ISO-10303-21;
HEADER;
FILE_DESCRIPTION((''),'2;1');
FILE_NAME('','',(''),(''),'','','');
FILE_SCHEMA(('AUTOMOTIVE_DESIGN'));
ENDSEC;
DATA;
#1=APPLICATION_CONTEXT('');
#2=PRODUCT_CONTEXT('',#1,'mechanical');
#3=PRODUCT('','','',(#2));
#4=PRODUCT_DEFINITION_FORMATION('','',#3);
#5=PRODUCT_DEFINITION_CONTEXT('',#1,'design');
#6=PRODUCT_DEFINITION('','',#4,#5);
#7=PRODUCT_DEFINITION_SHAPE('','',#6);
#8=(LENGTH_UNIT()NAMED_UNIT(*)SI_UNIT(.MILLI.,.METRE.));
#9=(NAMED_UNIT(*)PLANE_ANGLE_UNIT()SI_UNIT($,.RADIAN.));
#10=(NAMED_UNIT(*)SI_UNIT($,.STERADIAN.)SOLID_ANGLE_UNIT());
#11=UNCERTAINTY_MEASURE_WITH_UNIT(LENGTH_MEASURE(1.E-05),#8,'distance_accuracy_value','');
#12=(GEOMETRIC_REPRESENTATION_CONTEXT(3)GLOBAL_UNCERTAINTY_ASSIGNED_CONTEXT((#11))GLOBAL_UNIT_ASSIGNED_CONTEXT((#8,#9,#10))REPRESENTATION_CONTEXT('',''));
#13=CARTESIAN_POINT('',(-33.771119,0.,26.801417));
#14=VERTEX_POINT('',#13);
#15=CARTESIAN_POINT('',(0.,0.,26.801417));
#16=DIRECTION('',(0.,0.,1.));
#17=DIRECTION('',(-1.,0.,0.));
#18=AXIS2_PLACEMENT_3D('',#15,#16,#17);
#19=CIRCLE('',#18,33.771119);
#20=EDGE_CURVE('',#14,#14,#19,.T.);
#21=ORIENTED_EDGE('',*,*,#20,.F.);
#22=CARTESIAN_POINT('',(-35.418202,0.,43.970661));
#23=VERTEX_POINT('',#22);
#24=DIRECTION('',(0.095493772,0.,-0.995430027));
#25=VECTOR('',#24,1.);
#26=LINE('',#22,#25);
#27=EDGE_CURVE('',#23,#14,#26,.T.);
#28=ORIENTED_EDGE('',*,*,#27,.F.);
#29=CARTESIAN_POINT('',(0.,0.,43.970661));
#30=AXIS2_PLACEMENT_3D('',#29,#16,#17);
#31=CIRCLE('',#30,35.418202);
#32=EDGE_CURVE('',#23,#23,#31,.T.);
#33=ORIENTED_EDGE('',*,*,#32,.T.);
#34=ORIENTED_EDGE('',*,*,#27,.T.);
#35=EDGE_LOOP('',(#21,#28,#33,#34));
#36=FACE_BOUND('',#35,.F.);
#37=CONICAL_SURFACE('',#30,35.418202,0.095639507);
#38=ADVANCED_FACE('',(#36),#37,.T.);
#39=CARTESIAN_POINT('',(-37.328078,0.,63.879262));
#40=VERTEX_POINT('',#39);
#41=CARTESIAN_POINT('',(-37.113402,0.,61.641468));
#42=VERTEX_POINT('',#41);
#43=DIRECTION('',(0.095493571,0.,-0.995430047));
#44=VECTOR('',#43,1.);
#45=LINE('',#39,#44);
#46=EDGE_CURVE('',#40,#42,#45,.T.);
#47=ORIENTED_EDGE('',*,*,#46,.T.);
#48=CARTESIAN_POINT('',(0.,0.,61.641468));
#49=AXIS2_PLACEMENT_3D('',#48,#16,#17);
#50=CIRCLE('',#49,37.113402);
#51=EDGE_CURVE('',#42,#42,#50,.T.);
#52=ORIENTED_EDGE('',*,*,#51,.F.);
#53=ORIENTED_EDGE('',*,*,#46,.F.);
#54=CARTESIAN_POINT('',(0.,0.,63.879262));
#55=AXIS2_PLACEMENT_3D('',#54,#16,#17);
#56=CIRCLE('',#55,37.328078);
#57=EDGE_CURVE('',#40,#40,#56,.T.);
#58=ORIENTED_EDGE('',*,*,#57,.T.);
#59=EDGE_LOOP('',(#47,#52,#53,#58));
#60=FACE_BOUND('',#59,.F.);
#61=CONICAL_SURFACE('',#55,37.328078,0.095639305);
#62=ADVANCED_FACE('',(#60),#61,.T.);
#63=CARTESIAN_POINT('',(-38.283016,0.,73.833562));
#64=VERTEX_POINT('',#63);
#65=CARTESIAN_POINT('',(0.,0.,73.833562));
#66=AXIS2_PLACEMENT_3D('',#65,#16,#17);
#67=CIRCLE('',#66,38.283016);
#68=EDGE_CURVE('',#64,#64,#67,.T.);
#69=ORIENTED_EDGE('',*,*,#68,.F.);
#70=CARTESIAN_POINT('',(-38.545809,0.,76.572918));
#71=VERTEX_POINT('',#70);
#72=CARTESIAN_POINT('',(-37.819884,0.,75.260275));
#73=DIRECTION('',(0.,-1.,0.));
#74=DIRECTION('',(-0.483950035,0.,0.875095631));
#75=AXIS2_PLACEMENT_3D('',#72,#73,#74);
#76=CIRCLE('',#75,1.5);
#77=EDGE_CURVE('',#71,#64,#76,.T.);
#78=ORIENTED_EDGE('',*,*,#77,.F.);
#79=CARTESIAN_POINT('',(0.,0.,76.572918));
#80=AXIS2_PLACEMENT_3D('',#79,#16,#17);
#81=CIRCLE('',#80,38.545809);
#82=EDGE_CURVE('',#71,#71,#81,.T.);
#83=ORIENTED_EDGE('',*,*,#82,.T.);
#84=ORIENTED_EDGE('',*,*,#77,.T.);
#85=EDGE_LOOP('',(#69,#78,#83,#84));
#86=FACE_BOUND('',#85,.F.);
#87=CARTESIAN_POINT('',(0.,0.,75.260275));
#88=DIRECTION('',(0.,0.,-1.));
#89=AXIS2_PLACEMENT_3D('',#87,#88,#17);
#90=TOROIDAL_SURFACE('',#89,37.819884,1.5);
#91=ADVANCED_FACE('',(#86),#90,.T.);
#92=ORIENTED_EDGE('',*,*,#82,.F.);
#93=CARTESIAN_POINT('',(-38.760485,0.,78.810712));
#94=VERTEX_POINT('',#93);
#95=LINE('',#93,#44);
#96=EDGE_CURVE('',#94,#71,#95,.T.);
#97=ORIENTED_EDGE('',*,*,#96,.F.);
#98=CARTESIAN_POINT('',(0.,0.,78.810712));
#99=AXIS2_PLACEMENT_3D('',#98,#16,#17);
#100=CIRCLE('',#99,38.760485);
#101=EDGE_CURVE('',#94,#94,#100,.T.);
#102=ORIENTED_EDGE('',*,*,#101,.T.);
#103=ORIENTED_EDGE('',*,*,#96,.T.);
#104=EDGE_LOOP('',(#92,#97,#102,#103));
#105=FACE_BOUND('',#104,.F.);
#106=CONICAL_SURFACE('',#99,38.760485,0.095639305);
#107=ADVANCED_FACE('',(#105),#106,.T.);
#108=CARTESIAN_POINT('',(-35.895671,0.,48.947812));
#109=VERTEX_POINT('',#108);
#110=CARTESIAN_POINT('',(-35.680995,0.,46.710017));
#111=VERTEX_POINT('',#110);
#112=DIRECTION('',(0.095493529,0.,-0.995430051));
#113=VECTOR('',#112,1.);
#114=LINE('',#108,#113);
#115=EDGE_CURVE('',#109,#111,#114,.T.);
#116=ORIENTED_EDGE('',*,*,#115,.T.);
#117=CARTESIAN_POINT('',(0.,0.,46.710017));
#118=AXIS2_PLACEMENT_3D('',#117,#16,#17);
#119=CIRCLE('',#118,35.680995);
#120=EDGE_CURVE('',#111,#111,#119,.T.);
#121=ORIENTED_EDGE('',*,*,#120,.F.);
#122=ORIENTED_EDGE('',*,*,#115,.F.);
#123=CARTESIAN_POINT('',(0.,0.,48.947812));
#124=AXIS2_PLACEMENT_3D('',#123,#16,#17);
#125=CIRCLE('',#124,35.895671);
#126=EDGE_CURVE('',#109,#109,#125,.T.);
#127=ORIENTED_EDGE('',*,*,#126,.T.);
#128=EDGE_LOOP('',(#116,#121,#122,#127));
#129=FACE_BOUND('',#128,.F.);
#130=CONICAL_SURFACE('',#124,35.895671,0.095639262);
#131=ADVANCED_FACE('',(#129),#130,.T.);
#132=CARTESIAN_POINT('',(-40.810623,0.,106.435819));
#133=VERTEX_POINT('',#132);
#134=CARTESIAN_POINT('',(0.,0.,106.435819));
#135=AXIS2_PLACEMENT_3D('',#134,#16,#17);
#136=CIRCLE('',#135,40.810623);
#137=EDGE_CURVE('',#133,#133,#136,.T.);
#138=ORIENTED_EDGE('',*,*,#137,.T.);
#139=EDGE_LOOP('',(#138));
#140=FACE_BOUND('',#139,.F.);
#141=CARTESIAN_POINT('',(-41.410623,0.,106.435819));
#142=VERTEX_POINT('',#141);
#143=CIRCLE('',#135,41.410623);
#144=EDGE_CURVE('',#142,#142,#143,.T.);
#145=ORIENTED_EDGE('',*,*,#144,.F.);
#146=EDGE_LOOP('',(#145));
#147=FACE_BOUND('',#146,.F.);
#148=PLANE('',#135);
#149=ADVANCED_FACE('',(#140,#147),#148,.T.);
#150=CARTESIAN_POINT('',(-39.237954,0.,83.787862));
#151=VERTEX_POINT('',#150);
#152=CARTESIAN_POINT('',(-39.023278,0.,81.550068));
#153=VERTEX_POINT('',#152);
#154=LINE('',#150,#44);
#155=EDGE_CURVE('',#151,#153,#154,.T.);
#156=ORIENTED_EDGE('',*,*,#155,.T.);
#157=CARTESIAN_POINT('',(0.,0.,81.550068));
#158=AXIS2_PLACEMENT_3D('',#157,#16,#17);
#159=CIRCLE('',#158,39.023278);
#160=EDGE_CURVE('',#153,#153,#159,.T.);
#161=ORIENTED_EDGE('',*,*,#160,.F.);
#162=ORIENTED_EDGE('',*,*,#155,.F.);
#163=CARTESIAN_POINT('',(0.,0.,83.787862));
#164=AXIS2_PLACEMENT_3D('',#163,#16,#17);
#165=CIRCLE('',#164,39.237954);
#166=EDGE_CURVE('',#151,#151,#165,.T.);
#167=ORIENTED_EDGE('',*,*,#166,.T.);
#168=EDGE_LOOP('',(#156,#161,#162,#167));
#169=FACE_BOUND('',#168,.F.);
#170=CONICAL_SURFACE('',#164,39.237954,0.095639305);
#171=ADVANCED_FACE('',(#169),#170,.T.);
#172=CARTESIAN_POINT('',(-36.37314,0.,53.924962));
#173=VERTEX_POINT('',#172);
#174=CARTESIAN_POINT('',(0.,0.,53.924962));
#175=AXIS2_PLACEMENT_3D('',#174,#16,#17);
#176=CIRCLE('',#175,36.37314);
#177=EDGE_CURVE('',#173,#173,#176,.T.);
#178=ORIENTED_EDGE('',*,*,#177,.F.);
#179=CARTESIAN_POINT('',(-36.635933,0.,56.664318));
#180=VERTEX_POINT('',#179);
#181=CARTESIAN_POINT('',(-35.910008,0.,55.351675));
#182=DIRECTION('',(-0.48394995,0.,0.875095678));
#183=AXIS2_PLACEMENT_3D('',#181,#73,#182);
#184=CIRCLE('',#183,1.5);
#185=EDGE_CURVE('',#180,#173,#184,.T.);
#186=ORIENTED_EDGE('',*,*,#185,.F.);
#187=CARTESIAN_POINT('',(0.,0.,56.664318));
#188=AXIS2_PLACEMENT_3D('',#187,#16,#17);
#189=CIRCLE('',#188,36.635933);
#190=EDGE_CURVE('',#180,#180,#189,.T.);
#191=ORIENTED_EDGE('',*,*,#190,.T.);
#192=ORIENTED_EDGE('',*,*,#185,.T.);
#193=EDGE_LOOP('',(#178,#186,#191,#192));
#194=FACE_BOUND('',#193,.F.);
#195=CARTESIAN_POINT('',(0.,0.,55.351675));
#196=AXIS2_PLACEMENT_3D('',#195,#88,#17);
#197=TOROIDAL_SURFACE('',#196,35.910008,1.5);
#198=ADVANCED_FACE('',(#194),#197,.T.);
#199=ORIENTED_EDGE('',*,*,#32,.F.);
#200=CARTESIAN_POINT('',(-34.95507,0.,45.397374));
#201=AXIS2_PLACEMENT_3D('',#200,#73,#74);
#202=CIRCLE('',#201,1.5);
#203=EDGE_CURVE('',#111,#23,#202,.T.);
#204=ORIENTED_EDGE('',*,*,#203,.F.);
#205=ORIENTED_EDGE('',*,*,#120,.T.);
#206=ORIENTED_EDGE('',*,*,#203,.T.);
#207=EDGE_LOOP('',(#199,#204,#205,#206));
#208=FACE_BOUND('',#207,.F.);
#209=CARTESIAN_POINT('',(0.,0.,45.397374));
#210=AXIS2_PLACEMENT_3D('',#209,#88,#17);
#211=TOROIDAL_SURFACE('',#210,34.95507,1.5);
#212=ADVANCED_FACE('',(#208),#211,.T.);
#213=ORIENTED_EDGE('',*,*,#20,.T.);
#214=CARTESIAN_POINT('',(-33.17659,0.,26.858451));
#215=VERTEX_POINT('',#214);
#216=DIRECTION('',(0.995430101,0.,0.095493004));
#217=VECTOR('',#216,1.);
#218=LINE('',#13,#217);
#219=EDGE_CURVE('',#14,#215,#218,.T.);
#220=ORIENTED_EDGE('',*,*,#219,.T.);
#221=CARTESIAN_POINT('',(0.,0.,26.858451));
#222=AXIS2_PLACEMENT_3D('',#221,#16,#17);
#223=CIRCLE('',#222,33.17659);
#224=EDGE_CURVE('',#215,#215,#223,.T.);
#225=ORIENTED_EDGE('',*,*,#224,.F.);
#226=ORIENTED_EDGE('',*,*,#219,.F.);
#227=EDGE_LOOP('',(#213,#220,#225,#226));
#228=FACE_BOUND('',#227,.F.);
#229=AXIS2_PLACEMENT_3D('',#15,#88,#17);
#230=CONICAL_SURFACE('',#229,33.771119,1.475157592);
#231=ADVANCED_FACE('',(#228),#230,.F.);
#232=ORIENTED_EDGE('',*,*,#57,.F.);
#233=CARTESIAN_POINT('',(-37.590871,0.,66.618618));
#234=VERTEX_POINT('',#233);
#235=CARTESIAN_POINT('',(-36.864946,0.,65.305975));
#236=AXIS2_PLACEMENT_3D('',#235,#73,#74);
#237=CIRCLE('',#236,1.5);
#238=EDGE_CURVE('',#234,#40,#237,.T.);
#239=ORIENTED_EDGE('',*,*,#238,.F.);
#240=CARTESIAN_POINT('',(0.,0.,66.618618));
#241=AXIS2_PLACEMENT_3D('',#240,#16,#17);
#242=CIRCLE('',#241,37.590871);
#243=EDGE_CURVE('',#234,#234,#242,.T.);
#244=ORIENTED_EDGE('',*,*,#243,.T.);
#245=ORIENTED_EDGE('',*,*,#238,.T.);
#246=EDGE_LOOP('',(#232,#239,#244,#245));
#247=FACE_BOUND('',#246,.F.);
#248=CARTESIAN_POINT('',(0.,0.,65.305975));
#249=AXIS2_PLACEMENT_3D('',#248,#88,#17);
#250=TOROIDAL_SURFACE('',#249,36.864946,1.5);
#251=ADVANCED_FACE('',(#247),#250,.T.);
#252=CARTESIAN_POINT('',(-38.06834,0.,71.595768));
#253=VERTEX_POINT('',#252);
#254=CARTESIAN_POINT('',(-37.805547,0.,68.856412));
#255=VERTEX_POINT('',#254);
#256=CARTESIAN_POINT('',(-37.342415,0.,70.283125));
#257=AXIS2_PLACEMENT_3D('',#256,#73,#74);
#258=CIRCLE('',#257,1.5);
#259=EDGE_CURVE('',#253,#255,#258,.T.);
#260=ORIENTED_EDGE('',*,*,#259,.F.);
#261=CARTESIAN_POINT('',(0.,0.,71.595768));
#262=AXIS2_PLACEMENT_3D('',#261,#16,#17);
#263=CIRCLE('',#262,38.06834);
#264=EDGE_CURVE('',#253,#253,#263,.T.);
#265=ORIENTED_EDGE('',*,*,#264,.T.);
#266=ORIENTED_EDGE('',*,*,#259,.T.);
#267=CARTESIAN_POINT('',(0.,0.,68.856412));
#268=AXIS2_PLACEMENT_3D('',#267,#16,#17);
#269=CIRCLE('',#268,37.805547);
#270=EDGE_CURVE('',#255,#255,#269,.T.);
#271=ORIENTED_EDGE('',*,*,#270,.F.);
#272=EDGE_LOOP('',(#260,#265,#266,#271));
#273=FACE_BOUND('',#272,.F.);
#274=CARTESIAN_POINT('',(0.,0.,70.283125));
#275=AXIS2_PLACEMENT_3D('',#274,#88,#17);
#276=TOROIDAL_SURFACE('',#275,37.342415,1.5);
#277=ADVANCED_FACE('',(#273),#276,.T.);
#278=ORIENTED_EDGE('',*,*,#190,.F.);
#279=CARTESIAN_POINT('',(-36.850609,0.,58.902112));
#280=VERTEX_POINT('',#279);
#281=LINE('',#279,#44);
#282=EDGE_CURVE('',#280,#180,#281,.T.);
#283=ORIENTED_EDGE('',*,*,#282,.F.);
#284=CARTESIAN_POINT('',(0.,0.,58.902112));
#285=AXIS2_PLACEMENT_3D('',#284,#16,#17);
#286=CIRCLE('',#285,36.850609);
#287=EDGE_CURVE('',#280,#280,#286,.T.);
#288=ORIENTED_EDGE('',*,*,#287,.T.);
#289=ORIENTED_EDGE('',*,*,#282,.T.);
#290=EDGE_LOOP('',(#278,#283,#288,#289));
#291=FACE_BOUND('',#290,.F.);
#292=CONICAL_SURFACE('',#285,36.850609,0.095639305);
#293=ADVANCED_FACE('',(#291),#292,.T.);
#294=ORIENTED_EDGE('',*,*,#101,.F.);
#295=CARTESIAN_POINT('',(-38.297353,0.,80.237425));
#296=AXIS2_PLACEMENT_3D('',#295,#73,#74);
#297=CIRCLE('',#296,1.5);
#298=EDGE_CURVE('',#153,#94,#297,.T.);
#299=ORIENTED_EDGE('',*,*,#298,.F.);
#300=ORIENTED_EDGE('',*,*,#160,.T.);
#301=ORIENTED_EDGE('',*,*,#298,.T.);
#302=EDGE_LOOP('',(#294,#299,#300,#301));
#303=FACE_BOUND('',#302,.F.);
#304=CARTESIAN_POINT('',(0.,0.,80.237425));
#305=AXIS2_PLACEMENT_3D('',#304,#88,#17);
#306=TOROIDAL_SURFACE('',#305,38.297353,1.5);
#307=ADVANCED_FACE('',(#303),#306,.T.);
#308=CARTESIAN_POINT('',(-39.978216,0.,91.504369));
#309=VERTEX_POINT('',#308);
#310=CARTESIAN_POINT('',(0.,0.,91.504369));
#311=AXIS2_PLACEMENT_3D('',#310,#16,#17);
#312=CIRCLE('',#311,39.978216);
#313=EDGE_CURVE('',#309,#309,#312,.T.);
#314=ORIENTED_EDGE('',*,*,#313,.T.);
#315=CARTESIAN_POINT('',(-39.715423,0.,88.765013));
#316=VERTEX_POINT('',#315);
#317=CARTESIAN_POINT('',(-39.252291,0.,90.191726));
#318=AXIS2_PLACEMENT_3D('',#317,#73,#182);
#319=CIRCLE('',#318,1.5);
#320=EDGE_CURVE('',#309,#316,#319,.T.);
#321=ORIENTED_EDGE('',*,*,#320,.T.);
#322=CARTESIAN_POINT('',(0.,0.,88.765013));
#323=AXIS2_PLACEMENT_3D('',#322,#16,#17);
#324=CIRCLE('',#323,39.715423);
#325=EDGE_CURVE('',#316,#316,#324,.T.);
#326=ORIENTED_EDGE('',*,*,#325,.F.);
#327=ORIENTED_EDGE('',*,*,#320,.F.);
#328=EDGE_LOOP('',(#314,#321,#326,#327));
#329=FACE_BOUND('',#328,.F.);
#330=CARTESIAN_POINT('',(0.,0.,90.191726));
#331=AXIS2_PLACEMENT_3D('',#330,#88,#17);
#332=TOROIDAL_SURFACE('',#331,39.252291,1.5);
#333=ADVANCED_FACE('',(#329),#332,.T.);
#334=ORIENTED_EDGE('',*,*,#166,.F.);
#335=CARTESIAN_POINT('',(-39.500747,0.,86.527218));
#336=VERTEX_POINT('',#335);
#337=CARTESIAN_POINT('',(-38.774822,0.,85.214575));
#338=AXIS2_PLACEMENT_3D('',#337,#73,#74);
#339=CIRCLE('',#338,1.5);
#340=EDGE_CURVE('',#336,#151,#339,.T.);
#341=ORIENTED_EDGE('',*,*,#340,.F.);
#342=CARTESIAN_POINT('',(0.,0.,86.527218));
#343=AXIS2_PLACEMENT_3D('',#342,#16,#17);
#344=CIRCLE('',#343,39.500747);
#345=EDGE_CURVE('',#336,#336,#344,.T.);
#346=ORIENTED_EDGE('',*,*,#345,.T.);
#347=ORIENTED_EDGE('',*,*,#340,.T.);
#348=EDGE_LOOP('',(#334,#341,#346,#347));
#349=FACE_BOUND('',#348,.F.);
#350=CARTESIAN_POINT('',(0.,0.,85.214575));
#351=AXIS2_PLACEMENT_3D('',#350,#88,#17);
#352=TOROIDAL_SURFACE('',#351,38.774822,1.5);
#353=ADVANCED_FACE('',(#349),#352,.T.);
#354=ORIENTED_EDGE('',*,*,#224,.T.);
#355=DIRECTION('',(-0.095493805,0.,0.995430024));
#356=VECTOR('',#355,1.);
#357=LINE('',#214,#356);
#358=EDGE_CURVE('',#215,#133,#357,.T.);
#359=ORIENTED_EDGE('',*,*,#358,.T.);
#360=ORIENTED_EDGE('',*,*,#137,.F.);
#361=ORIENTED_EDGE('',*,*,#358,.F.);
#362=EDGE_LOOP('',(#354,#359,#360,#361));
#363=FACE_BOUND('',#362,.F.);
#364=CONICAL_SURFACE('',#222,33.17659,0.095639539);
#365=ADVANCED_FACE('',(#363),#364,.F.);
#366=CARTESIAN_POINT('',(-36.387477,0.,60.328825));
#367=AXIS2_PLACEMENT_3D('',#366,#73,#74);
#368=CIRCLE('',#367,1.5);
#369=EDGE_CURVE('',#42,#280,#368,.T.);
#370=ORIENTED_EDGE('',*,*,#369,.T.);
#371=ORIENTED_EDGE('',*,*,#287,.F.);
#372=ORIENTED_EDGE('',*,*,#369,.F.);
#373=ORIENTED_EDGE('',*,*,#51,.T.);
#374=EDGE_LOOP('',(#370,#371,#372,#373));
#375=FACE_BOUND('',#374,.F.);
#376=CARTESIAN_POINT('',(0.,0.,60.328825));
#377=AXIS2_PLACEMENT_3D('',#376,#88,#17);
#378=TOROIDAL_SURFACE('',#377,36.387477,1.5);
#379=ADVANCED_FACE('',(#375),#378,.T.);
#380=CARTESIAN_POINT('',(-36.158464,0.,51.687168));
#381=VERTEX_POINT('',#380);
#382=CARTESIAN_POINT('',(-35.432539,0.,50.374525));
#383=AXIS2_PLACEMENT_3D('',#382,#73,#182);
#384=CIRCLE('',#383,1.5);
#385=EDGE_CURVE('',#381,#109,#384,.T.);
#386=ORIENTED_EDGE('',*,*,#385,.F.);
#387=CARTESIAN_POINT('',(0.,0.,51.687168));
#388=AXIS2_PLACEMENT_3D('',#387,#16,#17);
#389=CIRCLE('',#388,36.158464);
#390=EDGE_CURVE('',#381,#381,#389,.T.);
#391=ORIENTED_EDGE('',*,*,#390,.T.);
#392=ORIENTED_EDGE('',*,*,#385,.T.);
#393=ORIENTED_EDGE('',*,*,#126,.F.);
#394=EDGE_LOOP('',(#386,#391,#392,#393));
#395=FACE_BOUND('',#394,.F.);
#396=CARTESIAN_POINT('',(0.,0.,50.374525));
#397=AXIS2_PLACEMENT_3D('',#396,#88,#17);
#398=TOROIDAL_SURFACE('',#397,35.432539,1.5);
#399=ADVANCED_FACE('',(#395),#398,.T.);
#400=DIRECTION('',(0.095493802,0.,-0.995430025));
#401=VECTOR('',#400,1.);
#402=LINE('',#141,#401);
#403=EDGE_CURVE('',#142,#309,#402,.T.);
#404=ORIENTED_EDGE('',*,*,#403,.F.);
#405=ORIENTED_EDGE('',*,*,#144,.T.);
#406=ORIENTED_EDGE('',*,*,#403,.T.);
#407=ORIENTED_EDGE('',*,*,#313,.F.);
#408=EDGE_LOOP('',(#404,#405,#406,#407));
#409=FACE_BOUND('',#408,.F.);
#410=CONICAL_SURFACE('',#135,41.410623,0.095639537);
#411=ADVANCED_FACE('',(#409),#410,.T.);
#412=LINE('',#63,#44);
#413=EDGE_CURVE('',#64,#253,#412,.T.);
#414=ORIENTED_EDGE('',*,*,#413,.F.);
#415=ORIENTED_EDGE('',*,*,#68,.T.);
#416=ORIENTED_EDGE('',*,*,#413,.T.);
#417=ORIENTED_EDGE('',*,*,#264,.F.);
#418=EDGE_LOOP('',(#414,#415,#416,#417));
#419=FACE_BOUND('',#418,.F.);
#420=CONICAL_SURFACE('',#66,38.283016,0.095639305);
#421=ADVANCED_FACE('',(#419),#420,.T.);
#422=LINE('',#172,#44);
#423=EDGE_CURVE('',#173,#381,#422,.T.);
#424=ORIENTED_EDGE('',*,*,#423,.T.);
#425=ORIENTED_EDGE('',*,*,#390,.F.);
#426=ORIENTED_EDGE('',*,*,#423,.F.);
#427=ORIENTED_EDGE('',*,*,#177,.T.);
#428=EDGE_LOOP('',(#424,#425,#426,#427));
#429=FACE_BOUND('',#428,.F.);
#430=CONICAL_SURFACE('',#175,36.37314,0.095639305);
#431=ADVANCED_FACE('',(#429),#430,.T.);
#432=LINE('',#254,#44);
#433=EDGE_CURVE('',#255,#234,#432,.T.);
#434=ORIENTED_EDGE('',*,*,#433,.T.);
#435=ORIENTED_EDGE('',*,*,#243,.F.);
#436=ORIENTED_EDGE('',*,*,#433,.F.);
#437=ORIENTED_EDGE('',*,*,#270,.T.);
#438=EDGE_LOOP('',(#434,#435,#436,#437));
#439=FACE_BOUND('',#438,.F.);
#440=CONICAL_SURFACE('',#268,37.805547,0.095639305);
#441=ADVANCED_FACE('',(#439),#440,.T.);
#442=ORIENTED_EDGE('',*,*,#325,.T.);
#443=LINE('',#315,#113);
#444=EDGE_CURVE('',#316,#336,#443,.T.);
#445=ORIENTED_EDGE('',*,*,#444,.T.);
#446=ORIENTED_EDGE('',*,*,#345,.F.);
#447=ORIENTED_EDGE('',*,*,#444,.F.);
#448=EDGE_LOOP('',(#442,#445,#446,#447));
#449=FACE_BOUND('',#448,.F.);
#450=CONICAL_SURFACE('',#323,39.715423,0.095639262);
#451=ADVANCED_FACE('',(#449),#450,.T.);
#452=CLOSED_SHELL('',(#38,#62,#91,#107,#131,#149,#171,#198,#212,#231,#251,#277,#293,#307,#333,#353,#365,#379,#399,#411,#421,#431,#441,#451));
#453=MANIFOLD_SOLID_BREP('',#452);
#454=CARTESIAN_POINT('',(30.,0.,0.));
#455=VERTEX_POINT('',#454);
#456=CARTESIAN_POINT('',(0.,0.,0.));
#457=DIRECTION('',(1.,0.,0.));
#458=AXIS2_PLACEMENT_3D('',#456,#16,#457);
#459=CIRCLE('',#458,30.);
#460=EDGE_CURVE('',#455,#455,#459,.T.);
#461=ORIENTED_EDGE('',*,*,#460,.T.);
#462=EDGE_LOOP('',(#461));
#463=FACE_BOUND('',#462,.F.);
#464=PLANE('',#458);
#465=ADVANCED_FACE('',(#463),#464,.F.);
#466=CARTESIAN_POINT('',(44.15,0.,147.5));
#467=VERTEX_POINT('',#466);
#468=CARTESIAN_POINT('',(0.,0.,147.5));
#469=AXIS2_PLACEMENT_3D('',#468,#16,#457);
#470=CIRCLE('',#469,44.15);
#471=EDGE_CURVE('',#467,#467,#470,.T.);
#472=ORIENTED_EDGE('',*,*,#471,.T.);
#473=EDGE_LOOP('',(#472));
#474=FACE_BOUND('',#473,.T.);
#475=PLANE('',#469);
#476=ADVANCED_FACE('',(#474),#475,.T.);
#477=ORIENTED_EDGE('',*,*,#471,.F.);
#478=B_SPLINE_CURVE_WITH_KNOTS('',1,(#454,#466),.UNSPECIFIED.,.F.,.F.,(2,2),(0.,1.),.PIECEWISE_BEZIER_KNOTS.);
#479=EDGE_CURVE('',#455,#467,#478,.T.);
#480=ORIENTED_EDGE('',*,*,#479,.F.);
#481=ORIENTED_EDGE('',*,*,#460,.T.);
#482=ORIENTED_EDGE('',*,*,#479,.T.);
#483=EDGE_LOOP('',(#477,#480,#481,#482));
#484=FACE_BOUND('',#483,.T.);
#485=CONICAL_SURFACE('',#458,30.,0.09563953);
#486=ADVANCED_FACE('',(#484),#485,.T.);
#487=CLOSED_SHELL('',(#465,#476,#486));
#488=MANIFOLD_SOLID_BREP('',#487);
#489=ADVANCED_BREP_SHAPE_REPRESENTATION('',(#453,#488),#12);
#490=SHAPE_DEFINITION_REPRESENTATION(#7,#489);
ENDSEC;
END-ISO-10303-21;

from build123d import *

# Parameters (mm, degrees)
F0_R = 30
F2_R = 44.15


with BuildPart() as f3:
    # F0 (on Top) → F3 section 0
    with BuildSketch(Plane.XY):
        Circle(F0_R)
    # F2 (on offset) → F3 section 1
    with BuildSketch(Plane.XY.offset(147.5)):
        Circle(F2_R)
    loft()


with BuildPart() as f5:
    # F4 (on Front) → F5 (revolve)
    with BuildSketch(Plane.XZ):
        Polygon((-33.17659, 26.858451), (-40.810623, 106.435819), (-41.410623, 106.435819), (-39.978216, 91.504369), (-39.715423, 88.765013), (-39.500747, 86.527218), (-39.237954, 83.787862), (-39.023278, 81.550068), (-38.760485, 78.810712), (-38.545809, 76.572918), (-38.283016, 73.833562), (-38.06834, 71.595768), (-37.805547, 68.856412), (-37.590871, 66.618618), (-37.328078, 63.879262), (-37.113402, 61.641468), (-36.850609, 58.902112), (-36.635933, 56.664318), (-36.37314, 53.924962), (-36.158464, 51.687168), (-35.895671, 48.947812), (-35.680995, 46.710017), (-35.418202, 43.970661), (-33.771119, 26.801417), align=None)
        with BuildLine():
            Line((-39.715423, 88.765013), (-39.978216, 91.504369))
            ThreePointArc((-39.978216, 91.504369), (-40.745436, 90.048484), (-39.715423, 88.765013))
        make_face()
        with BuildLine():
            Line((-39.237954, 83.787862), (-39.500747, 86.527218))
            ThreePointArc((-39.500747, 86.527218), (-40.267967, 85.071334), (-39.237954, 83.787862))
        make_face()
        with BuildLine():
            Line((-38.760485, 78.810712), (-39.023278, 81.550068))
            ThreePointArc((-39.023278, 81.550068), (-39.790498, 80.094184), (-38.760485, 78.810712))
        make_face()
        with BuildLine():
            Line((-38.283016, 73.833562), (-38.545809, 76.572918))
            ThreePointArc((-38.545809, 76.572918), (-39.313029, 75.117034), (-38.283016, 73.833562))
        make_face()
        with BuildLine():
            Line((-37.805547, 68.856412), (-38.06834, 71.595768))
            ThreePointArc((-38.06834, 71.595768), (-38.83556, 70.139884), (-37.805547, 68.856412))
        make_face()
        with BuildLine():
            ThreePointArc((-37.590871, 66.618618), (-38.358091, 65.162734), (-37.328078, 63.879262))
            Line((-37.328078, 63.879262), (-37.590871, 66.618618))
        make_face()
        with BuildLine():
            ThreePointArc((-37.113402, 61.641468), (-37.880622, 60.185584), (-36.850609, 58.902112))
            Line((-36.850609, 58.902112), (-37.113402, 61.641468))
        make_face()
        with BuildLine():
            ThreePointArc((-36.635933, 56.664318), (-37.403153, 55.208433), (-36.37314, 53.924962))
            Line((-36.37314, 53.924962), (-36.635933, 56.664318))
        make_face()
        with BuildLine():
            ThreePointArc((-36.158464, 51.687168), (-36.925684, 50.231283), (-35.895671, 48.947812))
            Line((-35.895671, 48.947812), (-36.158464, 51.687168))
        make_face()
        with BuildLine():
            ThreePointArc((-35.680995, 46.710017), (-36.448215, 45.254133), (-35.418202, 43.970661))
            Line((-35.418202, 43.970661), (-35.680995, 46.710017))
        make_face()
    revolve(axis=Axis((0, 0, 73.75), (0, 0, 1)))


solid = Compound([f3.part, f5.part])
